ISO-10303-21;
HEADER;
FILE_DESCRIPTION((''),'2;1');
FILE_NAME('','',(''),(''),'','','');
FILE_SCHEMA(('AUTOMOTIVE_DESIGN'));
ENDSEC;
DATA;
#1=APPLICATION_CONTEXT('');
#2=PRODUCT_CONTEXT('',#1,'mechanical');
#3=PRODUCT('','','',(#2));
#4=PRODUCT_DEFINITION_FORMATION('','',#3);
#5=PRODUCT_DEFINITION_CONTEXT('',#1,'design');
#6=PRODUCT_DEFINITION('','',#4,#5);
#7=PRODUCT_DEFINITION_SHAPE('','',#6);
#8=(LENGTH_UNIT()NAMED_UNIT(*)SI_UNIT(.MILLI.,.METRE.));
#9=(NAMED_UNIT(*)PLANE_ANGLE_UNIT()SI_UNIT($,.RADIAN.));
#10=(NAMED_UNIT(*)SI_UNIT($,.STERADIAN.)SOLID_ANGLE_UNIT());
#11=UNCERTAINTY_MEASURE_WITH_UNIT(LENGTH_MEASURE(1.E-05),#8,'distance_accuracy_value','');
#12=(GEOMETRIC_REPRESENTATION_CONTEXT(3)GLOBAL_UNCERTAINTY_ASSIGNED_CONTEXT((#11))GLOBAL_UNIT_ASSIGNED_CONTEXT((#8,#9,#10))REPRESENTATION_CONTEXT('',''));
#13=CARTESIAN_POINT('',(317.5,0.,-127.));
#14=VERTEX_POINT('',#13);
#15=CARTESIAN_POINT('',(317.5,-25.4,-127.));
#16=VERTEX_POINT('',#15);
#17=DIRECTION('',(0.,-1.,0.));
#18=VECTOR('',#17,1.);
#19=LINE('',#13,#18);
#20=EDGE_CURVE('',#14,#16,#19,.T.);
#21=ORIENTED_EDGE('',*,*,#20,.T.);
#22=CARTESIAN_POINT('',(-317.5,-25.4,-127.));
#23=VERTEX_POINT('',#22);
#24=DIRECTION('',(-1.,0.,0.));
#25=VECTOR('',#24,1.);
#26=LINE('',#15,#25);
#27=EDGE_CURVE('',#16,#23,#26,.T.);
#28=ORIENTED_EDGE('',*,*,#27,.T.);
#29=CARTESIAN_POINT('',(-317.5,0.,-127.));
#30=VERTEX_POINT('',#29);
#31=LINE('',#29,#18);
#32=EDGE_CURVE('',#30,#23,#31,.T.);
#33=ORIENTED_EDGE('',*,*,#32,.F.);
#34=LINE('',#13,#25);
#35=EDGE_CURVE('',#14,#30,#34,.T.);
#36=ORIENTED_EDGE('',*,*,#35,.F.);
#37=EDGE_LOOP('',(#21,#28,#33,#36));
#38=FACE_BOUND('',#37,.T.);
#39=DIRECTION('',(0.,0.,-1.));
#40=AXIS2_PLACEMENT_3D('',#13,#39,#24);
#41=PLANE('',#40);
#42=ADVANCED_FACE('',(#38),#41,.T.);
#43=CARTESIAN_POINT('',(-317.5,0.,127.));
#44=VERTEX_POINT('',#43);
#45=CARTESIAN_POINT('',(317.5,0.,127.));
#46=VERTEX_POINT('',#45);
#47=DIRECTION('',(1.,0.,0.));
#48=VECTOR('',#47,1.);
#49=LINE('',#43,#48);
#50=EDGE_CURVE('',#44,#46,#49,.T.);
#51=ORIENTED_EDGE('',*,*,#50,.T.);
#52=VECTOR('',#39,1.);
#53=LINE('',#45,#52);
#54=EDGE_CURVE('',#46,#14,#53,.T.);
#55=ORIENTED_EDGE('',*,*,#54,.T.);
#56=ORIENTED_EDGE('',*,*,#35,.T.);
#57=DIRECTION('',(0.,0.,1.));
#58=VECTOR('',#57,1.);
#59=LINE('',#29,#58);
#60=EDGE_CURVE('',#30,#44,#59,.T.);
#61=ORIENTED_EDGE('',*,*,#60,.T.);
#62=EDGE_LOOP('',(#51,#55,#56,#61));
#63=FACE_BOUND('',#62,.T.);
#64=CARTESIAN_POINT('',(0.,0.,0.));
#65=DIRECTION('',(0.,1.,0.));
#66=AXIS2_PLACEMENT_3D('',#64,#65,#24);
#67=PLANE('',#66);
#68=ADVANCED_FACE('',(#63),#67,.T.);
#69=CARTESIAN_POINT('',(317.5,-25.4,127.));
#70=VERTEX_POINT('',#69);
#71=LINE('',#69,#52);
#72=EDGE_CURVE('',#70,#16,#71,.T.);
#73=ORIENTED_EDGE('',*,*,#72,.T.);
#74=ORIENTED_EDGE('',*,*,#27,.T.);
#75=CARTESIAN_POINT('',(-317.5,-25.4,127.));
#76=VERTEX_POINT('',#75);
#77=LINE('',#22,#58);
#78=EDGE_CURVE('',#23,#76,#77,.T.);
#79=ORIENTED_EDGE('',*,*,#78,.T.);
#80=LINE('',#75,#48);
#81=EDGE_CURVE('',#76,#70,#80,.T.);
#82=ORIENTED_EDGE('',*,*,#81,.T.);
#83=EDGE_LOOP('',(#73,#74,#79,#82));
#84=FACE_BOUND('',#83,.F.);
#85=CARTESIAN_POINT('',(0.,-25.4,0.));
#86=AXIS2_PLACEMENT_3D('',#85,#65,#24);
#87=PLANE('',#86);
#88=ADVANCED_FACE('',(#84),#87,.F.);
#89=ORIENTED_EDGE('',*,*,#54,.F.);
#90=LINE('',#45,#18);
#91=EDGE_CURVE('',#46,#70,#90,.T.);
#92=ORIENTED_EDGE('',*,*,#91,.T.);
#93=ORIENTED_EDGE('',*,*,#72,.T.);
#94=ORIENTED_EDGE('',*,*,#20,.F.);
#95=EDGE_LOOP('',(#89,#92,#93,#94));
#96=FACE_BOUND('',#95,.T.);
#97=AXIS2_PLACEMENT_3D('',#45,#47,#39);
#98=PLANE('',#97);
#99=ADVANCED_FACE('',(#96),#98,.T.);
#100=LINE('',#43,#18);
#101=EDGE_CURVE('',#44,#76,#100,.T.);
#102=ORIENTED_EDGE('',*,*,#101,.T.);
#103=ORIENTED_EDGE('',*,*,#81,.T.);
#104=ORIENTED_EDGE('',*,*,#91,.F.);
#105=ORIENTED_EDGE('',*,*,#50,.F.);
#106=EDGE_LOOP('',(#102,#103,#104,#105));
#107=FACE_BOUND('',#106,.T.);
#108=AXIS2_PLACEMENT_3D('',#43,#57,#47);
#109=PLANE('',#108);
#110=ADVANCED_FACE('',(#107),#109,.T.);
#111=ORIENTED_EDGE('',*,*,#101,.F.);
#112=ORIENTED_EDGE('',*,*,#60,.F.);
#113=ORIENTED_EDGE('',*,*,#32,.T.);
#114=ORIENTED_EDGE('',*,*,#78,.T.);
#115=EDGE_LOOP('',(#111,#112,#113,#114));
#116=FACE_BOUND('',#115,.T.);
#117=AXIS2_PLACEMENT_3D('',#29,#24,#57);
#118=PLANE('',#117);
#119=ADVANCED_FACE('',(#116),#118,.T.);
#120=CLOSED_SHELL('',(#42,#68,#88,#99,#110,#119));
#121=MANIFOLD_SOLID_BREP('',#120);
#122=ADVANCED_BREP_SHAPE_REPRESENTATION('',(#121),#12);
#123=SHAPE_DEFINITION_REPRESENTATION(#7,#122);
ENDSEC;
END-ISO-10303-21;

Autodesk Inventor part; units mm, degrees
ref_plane "YZ Plane" through (0, 0, 0) normal (1, 0, 0) x (0, 1, 0)
ref_plane "XZ Plane" through (0, 0, 0) normal (0, 1, 0) x (-1, 0, 0)
ref_plane "XY Plane" through (0, 0, 0) normal (0, 0, 1) x (1, 0, 0)
sketch "Sketch1" plane through (0, 0, 0) normal (0, 1, 0) x (-1, 0, 0)
  line L0 (317.5, 127) -> (-317.5, 127)
  line L1 (-317.5, 127) -> (-317.5, -127)
  line L2 (-317.5, -127) -> (317.5, -127)
  line L3 (317.5, -127) -> (317.5, 127)
  line L4 (317.5, 127) -> (-317.5, -127) construction
  line L5 (-317.5, 127) -> (317.5, -127) construction
  point P0 (0, 0)
  dimension "d0" = 635
  dimension "d1" = 254
extrude "Extrusion1" add sketch "Sketch1" against normal blind 25.4
properties part number "planeOfTheGround" material "Polycarbonate, Smoke"
